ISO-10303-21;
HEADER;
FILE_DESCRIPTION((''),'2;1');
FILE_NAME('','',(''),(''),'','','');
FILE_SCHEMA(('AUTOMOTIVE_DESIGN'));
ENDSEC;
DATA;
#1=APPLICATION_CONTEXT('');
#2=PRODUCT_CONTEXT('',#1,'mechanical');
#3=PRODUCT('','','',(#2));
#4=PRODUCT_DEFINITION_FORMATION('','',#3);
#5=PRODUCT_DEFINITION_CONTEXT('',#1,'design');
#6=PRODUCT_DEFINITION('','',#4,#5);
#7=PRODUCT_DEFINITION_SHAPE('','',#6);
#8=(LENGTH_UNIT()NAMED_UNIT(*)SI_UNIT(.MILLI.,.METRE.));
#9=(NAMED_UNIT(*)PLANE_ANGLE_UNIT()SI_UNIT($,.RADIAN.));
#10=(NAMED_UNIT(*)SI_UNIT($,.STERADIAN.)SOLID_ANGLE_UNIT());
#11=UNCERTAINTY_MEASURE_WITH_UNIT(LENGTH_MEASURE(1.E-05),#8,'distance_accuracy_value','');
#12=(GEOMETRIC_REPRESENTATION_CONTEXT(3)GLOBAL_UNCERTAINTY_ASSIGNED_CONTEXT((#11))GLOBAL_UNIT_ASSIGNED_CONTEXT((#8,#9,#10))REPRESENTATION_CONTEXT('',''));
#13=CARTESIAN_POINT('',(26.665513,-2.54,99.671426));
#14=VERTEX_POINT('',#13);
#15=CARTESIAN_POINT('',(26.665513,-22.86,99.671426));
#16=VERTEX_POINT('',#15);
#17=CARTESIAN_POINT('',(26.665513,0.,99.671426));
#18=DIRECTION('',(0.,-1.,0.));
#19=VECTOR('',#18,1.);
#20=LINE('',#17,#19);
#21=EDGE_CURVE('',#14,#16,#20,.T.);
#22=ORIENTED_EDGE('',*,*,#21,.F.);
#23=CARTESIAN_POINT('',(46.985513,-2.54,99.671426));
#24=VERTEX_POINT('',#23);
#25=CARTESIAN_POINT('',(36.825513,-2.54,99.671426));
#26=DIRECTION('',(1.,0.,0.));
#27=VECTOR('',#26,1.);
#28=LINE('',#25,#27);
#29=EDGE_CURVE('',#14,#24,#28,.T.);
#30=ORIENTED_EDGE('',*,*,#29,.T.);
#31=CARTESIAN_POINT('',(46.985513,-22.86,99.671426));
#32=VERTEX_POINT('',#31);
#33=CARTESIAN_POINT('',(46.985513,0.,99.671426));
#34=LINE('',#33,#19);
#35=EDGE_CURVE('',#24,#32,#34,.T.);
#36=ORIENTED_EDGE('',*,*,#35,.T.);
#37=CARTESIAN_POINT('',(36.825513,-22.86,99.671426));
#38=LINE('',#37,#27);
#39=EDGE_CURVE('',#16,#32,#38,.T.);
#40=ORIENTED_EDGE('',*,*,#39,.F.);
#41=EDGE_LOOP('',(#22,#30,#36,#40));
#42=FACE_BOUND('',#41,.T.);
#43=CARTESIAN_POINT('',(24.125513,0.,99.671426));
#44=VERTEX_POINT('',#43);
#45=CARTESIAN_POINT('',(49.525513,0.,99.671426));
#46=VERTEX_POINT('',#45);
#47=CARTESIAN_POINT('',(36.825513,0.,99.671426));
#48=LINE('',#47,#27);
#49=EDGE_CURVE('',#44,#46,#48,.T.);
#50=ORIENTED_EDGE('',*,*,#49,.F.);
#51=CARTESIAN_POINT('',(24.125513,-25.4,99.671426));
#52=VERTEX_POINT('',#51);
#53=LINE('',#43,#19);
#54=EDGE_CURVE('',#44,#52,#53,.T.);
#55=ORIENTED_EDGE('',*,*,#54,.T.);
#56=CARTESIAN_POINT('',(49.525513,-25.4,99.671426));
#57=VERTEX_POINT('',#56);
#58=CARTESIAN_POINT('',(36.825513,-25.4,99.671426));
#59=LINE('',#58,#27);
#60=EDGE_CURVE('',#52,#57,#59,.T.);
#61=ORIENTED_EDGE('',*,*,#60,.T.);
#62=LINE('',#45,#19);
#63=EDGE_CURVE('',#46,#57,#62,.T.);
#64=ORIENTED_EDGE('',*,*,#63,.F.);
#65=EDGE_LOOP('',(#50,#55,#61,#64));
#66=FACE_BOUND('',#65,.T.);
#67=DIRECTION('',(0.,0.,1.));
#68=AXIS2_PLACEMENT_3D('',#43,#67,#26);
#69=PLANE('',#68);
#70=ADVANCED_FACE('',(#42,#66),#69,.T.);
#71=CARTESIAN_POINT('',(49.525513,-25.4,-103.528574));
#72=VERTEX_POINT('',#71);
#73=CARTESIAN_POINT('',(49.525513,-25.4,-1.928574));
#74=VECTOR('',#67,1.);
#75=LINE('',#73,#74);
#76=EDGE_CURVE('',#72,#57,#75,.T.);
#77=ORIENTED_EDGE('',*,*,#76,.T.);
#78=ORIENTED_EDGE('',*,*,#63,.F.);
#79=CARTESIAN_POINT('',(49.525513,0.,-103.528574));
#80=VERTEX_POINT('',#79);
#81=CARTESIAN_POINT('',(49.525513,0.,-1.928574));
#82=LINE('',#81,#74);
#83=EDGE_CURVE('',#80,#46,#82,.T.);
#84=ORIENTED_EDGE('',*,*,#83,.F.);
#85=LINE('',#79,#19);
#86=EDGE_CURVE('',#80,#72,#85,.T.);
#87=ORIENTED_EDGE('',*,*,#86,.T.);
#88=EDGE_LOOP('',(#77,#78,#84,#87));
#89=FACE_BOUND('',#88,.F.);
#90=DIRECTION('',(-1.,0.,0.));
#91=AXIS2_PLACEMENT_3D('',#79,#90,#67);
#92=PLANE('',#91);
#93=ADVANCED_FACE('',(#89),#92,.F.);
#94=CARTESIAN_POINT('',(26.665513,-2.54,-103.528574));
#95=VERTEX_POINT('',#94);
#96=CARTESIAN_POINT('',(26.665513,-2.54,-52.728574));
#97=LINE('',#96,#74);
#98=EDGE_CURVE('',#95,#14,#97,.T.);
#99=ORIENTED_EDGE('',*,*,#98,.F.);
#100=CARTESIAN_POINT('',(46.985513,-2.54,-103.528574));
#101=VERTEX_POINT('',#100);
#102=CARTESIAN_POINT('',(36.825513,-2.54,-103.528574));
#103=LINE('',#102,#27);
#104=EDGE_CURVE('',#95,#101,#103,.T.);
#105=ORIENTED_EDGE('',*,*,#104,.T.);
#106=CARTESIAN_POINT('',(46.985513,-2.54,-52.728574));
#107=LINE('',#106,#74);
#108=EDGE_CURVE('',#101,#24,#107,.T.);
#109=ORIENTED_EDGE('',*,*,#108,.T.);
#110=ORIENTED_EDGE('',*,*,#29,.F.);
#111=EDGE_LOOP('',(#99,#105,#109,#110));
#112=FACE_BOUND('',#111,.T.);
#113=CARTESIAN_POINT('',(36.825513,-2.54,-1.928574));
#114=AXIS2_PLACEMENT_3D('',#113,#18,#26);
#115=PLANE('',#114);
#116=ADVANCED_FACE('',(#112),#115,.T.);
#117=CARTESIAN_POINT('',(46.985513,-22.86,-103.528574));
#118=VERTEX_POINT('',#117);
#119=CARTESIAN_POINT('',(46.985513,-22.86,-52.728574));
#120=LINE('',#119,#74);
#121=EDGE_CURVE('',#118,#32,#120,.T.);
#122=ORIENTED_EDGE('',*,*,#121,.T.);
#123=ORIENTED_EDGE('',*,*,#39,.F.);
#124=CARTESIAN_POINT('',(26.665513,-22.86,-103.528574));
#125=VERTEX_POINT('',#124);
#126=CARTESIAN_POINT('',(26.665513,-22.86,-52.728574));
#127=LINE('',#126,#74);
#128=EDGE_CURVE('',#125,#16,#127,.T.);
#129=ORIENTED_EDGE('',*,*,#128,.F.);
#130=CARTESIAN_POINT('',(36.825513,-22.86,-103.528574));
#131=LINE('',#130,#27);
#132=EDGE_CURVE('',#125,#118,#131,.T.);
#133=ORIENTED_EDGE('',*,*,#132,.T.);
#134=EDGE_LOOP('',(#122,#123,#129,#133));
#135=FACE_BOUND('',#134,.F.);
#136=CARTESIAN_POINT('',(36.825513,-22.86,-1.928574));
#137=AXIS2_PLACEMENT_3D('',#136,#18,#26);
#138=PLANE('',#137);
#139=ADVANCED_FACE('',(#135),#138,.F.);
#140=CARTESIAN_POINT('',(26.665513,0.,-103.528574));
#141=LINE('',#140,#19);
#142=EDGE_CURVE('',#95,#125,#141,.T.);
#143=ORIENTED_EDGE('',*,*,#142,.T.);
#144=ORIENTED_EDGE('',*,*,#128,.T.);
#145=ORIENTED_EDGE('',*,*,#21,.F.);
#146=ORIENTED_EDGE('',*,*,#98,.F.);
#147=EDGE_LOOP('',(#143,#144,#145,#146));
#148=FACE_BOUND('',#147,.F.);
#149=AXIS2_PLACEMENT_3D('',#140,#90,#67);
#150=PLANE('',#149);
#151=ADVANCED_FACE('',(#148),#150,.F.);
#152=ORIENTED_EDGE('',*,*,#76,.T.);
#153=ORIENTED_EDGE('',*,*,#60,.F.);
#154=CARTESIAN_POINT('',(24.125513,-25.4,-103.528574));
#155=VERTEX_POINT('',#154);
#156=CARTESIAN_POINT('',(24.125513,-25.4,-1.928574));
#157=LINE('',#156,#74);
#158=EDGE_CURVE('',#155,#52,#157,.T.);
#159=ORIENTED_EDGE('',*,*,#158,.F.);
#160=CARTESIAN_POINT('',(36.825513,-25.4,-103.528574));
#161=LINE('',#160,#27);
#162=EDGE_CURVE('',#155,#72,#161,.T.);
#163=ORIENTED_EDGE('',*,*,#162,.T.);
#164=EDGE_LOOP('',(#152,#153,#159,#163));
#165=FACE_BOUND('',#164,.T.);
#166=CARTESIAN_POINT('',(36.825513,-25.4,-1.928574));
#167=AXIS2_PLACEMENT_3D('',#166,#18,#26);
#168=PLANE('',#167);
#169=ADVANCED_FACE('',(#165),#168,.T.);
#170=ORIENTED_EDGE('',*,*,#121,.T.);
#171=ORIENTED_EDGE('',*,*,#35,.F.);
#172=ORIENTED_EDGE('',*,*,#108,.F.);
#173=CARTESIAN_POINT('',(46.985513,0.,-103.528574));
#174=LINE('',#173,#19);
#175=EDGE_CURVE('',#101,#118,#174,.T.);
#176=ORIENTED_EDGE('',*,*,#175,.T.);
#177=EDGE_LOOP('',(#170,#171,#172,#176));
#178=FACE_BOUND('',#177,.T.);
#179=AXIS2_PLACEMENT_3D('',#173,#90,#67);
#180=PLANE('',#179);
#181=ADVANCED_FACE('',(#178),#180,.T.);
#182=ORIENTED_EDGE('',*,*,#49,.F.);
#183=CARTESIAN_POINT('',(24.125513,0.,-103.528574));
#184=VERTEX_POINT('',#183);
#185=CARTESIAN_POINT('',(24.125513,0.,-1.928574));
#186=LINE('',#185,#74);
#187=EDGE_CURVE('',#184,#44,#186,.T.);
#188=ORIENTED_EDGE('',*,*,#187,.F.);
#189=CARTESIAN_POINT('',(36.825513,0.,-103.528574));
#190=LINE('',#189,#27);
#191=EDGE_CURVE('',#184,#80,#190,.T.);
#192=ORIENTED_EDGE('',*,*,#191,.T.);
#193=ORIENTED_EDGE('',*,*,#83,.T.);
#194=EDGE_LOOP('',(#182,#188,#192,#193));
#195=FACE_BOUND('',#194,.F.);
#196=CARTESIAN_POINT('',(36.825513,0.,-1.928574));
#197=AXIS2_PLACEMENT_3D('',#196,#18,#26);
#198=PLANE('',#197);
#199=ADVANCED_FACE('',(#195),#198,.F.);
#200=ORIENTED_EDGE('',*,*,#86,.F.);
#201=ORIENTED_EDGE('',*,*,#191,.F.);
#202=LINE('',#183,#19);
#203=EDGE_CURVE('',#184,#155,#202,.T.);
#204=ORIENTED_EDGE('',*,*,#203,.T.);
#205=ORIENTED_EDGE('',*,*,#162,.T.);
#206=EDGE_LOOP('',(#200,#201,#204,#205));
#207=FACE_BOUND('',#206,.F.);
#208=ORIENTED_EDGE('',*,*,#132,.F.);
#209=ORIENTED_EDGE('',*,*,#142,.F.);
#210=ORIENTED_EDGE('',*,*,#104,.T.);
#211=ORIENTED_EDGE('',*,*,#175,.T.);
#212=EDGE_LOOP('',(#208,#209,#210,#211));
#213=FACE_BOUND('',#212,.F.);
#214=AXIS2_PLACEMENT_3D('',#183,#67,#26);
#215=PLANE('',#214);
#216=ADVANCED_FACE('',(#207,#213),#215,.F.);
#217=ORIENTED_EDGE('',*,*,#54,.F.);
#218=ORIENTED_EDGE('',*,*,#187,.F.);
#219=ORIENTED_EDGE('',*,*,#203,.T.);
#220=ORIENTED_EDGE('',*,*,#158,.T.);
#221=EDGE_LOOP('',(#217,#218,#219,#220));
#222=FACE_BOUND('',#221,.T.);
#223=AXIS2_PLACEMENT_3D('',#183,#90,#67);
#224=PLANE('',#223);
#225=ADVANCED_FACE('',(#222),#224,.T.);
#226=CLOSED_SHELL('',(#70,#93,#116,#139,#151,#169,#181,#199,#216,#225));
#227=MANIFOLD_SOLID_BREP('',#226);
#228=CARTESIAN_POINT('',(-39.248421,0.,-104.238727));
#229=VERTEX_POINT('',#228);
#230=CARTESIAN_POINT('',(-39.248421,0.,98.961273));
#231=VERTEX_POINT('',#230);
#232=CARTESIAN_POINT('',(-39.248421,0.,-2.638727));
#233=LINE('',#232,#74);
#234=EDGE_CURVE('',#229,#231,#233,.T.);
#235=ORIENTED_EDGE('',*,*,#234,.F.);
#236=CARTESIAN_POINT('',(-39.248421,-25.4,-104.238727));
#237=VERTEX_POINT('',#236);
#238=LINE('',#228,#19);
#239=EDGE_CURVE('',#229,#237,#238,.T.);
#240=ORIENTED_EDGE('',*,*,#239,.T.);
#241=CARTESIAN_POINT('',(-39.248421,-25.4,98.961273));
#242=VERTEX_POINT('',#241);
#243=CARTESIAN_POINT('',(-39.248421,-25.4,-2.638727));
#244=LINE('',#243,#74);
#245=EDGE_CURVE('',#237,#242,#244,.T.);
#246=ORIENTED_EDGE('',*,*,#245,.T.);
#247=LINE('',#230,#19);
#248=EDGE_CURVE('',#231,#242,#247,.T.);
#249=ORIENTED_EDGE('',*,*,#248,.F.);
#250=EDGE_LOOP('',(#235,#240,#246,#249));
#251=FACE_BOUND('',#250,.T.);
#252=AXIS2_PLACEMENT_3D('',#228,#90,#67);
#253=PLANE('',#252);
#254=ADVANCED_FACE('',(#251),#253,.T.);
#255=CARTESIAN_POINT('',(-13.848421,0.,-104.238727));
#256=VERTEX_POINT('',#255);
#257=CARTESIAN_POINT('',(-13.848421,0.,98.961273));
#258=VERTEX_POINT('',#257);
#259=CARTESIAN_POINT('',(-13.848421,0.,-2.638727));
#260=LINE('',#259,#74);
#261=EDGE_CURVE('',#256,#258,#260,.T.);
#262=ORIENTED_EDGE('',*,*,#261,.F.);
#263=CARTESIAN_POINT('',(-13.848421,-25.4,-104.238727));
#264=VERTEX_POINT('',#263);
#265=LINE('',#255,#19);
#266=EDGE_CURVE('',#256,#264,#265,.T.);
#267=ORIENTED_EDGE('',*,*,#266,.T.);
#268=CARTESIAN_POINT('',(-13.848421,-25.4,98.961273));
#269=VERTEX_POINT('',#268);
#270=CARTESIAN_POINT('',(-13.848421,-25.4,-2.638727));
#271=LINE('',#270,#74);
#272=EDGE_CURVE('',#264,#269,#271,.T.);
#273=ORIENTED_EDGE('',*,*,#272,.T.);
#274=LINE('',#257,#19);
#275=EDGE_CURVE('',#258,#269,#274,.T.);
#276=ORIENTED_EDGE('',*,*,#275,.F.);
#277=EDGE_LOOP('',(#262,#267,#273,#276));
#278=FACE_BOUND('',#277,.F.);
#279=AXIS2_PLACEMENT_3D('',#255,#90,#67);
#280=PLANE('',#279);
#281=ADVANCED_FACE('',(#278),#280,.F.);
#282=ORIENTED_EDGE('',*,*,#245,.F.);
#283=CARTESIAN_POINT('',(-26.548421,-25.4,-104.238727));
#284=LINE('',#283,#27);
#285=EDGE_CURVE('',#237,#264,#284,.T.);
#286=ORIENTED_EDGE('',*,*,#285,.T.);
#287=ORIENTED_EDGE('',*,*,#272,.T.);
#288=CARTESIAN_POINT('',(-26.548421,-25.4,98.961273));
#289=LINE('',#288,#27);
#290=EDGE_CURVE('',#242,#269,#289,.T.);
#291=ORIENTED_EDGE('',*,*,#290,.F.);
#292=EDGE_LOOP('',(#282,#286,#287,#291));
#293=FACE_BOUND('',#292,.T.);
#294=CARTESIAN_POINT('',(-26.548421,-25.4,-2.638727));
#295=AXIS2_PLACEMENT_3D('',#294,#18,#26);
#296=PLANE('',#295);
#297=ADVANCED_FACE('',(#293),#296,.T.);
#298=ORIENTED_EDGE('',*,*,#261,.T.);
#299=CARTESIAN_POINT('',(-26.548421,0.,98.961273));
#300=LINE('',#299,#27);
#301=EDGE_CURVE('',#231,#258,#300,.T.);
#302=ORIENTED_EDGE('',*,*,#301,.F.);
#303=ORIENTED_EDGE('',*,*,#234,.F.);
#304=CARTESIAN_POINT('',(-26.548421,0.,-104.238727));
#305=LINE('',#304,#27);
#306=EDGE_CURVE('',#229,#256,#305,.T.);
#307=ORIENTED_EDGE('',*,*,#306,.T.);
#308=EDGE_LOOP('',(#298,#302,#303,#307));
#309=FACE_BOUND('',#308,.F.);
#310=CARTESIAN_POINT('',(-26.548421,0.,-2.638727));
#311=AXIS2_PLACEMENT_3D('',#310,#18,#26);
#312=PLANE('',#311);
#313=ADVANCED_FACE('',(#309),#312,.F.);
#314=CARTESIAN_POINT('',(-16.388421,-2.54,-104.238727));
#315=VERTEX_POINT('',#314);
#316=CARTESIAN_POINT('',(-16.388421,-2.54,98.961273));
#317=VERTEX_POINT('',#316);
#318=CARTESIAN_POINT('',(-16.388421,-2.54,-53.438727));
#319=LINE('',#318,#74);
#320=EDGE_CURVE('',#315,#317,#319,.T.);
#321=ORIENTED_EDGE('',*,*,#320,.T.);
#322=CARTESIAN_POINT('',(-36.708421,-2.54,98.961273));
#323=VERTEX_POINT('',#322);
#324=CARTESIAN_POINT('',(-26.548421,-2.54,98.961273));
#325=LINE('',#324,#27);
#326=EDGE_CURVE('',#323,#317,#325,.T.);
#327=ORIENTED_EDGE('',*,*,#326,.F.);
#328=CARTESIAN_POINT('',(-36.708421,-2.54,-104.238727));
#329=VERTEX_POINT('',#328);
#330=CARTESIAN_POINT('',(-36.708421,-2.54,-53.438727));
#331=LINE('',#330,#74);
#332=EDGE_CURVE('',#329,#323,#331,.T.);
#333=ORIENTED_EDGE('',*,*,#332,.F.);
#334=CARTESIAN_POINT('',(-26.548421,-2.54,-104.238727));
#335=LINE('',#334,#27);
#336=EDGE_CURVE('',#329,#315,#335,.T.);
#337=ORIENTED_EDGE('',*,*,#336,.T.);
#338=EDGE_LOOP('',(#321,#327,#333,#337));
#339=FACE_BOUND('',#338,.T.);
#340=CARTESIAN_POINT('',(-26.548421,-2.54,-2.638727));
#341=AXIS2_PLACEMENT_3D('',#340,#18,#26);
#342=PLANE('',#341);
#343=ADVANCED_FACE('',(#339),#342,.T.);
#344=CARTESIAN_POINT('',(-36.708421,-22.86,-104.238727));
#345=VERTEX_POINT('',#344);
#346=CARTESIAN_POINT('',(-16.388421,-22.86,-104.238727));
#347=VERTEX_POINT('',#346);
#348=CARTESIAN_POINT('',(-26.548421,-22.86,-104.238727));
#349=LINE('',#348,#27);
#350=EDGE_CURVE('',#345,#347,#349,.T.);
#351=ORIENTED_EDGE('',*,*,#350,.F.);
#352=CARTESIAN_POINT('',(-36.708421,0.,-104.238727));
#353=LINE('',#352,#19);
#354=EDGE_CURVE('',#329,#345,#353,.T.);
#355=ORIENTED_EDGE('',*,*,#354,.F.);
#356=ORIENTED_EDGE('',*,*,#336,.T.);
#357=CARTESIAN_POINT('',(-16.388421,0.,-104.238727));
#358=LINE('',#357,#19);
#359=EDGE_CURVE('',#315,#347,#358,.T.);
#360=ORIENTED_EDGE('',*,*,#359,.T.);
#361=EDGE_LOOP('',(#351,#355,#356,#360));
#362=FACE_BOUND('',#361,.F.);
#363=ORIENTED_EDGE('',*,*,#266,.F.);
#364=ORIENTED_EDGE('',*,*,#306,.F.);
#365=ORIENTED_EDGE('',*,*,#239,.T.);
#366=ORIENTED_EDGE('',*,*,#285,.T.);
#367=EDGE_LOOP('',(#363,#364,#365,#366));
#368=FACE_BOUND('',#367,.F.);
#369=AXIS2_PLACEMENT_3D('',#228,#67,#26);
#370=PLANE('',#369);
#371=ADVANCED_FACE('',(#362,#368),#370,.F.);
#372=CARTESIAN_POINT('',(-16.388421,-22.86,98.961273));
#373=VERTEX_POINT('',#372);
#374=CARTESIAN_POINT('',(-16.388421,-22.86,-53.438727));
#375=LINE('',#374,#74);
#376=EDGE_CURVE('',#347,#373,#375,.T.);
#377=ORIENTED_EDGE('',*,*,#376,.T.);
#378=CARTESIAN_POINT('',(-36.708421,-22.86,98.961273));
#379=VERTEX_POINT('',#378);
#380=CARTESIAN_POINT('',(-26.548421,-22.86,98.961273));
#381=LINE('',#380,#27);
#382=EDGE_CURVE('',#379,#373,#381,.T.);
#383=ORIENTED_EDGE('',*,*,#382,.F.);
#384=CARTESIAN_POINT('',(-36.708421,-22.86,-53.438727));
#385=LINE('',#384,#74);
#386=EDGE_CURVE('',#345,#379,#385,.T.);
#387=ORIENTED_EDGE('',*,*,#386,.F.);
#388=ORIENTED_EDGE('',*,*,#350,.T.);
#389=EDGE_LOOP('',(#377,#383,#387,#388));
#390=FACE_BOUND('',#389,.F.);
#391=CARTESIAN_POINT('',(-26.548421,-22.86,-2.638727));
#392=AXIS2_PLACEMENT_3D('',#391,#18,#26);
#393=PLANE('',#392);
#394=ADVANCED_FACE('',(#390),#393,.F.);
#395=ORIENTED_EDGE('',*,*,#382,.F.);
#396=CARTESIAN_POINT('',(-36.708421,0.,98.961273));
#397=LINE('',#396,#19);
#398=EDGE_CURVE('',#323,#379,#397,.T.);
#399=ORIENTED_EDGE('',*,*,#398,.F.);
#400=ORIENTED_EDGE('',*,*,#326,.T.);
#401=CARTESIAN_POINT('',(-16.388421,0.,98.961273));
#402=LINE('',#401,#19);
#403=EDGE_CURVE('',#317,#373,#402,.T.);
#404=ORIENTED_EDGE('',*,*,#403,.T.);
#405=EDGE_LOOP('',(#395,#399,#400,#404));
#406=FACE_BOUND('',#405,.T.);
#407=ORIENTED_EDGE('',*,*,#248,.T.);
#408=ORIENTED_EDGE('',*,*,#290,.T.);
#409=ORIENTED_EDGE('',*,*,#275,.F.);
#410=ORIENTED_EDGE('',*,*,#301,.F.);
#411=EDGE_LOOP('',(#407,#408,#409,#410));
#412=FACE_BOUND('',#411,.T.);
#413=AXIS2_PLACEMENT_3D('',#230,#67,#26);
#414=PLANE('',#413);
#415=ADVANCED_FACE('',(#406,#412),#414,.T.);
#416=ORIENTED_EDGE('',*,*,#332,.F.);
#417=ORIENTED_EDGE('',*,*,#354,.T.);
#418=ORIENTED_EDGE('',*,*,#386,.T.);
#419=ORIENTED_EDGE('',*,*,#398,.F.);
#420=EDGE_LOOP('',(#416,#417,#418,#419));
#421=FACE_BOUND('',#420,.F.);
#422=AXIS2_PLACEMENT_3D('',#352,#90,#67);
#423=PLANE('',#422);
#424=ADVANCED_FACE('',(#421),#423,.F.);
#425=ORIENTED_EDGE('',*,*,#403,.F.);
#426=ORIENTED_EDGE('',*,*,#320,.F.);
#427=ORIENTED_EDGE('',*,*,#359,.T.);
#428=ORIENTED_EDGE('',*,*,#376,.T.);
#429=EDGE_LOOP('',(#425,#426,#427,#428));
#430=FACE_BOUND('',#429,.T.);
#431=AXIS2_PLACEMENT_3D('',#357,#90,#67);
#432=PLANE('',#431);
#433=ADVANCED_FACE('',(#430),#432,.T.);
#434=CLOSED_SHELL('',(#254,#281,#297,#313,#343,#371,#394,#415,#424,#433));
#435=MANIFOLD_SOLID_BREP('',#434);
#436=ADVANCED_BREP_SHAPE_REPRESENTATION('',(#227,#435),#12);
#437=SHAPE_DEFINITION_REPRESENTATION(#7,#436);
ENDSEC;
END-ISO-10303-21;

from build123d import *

# Parameters (mm, degrees)
F0_W     = 25.4
F0_H     = 203.2
F1_DEPTH = 25.4
F2_T     = -2.54
F2_2_T   = -2.54


with BuildPart() as f1:
    # F0 (on Front) → F1 (new body)
    with BuildSketch(Plane.XZ):
        with Locations((36.8255126894, -1.9285741091)):
            Rectangle(F0_W, F0_H)
    extrude(amount=F1_DEPTH)

    # F2#2
    f2_2_openings = [f1.faces().sort_by_distance(p)[0] for p in [
        (36.825513, -12.7, 99.671426),
        (36.825513, -12.7, -103.528574),
    ]]
    offset(amount=F2_2_T, openings=f2_2_openings)


with BuildPart() as f1b:
    # F0 (on Front) → F1, piece 2 (new body)
    with BuildSketch(Plane.XZ):
        with Locations((-26.5484208936, -2.6387274265)):
            Rectangle(F0_W, F0_H)
    extrude(amount=F1_DEPTH)

    # F2
    f2_openings = [f1b.faces().sort_by_distance(p)[0] for p in [
        (-26.548421, -12.7, 98.961273),
        (-26.548421, -12.7, -104.238727),
    ]]
    offset(amount=F2_T, openings=f2_openings)


solid = Compound([f1.part, f1b.part])
